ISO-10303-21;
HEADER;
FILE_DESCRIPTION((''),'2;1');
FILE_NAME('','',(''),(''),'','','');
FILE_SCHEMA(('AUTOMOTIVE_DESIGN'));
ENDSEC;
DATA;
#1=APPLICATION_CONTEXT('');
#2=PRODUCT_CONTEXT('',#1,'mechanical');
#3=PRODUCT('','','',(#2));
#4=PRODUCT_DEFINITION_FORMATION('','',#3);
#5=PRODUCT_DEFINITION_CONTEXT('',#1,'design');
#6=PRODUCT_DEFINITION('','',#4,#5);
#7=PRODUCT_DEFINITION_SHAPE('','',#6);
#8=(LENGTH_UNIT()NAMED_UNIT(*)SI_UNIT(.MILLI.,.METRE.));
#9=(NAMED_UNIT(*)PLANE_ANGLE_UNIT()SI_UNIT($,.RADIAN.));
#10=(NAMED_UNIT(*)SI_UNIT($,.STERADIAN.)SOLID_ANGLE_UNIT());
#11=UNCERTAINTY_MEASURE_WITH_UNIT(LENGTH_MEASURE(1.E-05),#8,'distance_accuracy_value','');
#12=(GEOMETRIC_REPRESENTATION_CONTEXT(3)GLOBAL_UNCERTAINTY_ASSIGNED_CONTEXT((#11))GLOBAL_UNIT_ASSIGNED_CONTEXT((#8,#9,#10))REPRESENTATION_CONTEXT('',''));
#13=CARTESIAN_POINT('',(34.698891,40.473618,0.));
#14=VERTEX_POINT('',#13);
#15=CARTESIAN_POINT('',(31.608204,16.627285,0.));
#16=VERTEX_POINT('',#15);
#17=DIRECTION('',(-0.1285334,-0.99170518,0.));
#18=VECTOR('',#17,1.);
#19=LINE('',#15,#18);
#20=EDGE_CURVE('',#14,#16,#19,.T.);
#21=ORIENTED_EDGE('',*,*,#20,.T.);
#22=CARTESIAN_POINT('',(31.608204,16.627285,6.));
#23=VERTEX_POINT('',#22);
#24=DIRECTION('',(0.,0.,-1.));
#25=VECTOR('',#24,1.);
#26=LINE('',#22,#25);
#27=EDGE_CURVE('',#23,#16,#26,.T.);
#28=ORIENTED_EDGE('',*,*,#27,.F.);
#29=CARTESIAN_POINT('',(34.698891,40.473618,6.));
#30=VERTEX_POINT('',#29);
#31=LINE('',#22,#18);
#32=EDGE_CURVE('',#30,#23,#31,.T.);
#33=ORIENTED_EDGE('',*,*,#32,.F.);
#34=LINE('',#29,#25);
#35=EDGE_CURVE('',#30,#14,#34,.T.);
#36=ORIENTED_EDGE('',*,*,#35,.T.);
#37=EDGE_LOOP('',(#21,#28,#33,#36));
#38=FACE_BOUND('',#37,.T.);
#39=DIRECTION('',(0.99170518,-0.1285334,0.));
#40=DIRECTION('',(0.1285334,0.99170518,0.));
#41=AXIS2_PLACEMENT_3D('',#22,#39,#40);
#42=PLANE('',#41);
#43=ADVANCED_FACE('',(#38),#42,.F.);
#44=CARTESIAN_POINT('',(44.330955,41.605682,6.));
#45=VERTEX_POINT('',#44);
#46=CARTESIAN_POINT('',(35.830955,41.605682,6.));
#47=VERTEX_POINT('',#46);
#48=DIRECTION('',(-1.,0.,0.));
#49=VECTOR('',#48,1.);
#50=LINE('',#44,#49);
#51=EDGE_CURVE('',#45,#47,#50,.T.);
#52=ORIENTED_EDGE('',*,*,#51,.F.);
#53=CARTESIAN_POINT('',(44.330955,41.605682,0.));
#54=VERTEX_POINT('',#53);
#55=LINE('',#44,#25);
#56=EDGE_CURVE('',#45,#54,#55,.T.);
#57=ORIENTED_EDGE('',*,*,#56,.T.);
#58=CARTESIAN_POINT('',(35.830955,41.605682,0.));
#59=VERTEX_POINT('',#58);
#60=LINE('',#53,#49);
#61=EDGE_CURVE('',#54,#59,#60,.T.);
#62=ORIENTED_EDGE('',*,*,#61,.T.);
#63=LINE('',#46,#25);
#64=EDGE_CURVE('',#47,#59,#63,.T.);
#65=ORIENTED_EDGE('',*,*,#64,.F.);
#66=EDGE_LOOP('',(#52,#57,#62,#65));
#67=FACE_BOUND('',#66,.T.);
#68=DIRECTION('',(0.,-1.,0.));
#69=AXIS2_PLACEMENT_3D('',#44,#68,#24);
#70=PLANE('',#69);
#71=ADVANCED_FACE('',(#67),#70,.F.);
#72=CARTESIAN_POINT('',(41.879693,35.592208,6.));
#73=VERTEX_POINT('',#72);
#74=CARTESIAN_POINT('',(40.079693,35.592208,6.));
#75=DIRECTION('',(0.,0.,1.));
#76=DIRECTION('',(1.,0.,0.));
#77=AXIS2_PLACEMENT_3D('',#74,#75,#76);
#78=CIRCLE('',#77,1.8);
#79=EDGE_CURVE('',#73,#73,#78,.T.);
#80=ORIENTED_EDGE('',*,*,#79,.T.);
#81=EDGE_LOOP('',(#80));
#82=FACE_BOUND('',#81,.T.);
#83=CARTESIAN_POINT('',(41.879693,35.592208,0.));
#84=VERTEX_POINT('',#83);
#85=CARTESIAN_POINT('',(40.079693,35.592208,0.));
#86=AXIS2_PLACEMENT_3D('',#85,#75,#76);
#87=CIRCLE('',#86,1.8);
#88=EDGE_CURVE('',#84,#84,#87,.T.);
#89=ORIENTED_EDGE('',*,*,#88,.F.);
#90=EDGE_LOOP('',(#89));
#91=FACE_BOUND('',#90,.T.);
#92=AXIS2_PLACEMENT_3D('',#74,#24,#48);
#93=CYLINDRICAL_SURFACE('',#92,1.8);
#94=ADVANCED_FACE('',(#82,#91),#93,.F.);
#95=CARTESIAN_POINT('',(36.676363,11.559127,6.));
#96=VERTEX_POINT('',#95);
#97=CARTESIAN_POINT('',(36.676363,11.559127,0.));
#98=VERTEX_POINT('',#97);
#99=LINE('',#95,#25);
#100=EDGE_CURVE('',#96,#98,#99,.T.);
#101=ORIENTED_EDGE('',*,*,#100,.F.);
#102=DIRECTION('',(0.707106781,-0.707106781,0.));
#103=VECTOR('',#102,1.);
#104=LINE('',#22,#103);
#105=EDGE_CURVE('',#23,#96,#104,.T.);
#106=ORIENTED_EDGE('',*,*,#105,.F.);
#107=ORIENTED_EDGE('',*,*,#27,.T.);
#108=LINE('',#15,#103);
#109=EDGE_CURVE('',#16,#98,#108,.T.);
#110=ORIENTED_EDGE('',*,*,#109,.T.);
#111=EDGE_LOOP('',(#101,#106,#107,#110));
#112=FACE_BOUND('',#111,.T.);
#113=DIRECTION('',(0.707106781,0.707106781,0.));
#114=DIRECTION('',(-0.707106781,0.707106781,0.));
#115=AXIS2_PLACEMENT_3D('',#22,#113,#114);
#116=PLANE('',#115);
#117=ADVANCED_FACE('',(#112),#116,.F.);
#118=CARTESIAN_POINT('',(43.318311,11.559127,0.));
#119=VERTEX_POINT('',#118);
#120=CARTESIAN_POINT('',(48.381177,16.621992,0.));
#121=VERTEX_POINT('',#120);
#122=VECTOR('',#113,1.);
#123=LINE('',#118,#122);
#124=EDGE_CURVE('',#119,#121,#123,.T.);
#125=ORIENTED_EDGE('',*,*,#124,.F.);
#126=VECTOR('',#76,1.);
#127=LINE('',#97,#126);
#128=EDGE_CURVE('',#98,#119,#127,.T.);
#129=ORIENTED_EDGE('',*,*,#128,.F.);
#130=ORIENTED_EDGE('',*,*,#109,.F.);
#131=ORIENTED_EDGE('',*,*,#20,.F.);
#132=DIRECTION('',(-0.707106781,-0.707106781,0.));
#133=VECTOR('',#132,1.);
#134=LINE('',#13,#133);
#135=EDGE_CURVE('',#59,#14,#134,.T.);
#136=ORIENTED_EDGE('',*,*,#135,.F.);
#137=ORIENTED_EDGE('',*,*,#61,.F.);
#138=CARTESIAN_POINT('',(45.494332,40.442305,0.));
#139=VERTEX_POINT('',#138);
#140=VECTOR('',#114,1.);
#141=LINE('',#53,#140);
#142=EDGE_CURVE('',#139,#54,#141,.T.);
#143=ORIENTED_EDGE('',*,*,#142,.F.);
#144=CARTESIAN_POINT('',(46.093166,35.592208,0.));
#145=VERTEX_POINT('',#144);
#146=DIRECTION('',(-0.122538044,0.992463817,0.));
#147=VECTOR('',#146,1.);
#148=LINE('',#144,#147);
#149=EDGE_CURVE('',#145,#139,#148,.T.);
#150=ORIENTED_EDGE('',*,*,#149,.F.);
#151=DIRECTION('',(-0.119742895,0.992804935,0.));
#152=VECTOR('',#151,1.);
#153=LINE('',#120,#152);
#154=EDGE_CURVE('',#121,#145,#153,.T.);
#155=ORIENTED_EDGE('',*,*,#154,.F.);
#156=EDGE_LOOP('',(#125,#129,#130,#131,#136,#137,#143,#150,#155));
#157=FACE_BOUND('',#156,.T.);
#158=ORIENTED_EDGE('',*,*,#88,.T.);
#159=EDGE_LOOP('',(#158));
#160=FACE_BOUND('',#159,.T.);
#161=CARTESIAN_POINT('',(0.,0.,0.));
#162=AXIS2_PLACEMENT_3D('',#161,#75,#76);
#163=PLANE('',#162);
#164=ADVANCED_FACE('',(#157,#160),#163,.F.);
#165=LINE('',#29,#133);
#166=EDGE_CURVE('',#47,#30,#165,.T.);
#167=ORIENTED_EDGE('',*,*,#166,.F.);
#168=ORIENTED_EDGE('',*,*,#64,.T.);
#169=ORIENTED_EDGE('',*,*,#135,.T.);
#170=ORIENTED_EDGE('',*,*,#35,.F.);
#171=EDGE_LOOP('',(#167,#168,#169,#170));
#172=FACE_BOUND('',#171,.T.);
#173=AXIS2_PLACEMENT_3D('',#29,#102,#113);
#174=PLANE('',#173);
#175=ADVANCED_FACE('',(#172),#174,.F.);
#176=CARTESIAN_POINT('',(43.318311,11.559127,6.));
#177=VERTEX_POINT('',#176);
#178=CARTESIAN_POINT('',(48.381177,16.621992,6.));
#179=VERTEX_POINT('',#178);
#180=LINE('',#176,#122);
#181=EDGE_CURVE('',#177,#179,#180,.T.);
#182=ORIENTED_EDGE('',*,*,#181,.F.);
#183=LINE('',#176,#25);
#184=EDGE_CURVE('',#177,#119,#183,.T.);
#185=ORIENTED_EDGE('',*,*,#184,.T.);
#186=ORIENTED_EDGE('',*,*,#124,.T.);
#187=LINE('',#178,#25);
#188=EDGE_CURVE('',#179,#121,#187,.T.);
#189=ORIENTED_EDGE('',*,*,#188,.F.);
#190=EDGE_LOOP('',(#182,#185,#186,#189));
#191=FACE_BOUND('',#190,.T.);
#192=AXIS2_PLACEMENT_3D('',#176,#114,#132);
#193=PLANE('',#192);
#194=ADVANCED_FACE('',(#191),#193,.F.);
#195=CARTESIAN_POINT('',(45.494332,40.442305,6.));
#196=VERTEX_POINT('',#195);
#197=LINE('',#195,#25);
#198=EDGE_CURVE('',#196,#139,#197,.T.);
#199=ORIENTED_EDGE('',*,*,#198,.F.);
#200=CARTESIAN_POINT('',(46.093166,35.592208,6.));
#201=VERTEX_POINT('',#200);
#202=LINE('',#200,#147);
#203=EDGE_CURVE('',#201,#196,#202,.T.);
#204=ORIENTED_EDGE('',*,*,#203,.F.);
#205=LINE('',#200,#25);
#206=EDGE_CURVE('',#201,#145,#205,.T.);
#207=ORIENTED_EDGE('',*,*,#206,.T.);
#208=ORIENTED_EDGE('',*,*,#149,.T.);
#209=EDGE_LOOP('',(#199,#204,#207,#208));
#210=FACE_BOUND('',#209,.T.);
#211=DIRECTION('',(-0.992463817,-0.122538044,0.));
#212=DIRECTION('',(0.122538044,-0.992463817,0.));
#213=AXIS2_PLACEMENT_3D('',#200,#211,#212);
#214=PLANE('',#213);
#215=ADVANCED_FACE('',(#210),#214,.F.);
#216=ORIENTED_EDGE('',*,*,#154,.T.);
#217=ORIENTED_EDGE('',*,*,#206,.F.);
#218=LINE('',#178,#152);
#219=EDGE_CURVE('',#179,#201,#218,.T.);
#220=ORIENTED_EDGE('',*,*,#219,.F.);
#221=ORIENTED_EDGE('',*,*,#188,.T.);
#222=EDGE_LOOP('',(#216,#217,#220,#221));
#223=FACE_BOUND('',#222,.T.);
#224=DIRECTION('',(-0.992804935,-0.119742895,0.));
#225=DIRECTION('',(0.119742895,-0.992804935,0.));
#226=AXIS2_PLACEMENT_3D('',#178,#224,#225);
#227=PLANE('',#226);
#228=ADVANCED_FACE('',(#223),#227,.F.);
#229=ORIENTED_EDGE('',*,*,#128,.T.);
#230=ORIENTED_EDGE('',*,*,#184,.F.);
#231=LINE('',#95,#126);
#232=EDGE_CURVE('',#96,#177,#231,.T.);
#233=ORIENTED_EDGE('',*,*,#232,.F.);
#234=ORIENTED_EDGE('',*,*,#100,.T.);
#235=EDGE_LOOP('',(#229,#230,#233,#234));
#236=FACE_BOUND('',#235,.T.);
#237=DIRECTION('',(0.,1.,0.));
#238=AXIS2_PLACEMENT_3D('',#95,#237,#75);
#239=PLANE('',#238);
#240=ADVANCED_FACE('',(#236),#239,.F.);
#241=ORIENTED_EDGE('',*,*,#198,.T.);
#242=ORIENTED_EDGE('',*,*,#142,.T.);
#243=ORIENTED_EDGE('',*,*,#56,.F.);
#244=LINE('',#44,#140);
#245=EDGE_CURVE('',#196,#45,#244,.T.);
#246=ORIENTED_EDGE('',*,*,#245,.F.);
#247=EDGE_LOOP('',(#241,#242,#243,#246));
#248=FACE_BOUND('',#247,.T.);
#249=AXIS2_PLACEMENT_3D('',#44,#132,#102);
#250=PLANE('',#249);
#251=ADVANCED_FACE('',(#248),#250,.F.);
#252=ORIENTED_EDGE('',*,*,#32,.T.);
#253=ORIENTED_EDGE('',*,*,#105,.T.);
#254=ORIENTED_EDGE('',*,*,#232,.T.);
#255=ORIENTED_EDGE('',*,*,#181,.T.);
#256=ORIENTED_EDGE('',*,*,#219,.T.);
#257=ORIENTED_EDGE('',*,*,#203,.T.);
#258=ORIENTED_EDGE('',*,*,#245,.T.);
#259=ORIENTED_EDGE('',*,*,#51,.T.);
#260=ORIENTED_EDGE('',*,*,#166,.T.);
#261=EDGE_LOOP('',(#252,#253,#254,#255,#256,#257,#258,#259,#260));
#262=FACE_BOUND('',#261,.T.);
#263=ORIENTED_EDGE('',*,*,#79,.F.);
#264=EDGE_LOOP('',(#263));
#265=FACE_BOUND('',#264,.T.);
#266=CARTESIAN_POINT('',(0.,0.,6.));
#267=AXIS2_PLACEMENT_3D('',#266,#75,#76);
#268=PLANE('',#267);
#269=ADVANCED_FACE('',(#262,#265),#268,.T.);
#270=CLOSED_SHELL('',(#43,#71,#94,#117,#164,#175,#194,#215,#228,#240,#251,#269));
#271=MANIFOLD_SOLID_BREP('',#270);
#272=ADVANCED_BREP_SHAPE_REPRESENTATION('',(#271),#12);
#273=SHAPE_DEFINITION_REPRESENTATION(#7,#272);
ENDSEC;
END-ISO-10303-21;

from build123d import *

# Parameters (mm, degrees)
MODEL_R                  = 1.8
RESSALTO_EXTRUS_O1_DEPTH = 6


with BuildPart() as part:
    # Model → Ressalto-extrusão1 (new body)
    with BuildSketch(Plane.XY):
        Polygon((36.676362522, 11.559126959), (43.318311298, 11.559126959), (48.38117681, 16.621992471), (46.093165841, 35.592208395), (45.494331575, 40.442304919), (44.330954819, 41.605681674), (35.830954819, 41.605681674), (34.69889139, 40.473618245), (31.60820441, 16.627285071), align=None)
        with Locations((40.079692562, 35.592208395)):
            Circle(MODEL_R, mode=Mode.SUBTRACT)
    extrude(amount=RESSALTO_EXTRUS_O1_DEPTH)


solid = part.part
